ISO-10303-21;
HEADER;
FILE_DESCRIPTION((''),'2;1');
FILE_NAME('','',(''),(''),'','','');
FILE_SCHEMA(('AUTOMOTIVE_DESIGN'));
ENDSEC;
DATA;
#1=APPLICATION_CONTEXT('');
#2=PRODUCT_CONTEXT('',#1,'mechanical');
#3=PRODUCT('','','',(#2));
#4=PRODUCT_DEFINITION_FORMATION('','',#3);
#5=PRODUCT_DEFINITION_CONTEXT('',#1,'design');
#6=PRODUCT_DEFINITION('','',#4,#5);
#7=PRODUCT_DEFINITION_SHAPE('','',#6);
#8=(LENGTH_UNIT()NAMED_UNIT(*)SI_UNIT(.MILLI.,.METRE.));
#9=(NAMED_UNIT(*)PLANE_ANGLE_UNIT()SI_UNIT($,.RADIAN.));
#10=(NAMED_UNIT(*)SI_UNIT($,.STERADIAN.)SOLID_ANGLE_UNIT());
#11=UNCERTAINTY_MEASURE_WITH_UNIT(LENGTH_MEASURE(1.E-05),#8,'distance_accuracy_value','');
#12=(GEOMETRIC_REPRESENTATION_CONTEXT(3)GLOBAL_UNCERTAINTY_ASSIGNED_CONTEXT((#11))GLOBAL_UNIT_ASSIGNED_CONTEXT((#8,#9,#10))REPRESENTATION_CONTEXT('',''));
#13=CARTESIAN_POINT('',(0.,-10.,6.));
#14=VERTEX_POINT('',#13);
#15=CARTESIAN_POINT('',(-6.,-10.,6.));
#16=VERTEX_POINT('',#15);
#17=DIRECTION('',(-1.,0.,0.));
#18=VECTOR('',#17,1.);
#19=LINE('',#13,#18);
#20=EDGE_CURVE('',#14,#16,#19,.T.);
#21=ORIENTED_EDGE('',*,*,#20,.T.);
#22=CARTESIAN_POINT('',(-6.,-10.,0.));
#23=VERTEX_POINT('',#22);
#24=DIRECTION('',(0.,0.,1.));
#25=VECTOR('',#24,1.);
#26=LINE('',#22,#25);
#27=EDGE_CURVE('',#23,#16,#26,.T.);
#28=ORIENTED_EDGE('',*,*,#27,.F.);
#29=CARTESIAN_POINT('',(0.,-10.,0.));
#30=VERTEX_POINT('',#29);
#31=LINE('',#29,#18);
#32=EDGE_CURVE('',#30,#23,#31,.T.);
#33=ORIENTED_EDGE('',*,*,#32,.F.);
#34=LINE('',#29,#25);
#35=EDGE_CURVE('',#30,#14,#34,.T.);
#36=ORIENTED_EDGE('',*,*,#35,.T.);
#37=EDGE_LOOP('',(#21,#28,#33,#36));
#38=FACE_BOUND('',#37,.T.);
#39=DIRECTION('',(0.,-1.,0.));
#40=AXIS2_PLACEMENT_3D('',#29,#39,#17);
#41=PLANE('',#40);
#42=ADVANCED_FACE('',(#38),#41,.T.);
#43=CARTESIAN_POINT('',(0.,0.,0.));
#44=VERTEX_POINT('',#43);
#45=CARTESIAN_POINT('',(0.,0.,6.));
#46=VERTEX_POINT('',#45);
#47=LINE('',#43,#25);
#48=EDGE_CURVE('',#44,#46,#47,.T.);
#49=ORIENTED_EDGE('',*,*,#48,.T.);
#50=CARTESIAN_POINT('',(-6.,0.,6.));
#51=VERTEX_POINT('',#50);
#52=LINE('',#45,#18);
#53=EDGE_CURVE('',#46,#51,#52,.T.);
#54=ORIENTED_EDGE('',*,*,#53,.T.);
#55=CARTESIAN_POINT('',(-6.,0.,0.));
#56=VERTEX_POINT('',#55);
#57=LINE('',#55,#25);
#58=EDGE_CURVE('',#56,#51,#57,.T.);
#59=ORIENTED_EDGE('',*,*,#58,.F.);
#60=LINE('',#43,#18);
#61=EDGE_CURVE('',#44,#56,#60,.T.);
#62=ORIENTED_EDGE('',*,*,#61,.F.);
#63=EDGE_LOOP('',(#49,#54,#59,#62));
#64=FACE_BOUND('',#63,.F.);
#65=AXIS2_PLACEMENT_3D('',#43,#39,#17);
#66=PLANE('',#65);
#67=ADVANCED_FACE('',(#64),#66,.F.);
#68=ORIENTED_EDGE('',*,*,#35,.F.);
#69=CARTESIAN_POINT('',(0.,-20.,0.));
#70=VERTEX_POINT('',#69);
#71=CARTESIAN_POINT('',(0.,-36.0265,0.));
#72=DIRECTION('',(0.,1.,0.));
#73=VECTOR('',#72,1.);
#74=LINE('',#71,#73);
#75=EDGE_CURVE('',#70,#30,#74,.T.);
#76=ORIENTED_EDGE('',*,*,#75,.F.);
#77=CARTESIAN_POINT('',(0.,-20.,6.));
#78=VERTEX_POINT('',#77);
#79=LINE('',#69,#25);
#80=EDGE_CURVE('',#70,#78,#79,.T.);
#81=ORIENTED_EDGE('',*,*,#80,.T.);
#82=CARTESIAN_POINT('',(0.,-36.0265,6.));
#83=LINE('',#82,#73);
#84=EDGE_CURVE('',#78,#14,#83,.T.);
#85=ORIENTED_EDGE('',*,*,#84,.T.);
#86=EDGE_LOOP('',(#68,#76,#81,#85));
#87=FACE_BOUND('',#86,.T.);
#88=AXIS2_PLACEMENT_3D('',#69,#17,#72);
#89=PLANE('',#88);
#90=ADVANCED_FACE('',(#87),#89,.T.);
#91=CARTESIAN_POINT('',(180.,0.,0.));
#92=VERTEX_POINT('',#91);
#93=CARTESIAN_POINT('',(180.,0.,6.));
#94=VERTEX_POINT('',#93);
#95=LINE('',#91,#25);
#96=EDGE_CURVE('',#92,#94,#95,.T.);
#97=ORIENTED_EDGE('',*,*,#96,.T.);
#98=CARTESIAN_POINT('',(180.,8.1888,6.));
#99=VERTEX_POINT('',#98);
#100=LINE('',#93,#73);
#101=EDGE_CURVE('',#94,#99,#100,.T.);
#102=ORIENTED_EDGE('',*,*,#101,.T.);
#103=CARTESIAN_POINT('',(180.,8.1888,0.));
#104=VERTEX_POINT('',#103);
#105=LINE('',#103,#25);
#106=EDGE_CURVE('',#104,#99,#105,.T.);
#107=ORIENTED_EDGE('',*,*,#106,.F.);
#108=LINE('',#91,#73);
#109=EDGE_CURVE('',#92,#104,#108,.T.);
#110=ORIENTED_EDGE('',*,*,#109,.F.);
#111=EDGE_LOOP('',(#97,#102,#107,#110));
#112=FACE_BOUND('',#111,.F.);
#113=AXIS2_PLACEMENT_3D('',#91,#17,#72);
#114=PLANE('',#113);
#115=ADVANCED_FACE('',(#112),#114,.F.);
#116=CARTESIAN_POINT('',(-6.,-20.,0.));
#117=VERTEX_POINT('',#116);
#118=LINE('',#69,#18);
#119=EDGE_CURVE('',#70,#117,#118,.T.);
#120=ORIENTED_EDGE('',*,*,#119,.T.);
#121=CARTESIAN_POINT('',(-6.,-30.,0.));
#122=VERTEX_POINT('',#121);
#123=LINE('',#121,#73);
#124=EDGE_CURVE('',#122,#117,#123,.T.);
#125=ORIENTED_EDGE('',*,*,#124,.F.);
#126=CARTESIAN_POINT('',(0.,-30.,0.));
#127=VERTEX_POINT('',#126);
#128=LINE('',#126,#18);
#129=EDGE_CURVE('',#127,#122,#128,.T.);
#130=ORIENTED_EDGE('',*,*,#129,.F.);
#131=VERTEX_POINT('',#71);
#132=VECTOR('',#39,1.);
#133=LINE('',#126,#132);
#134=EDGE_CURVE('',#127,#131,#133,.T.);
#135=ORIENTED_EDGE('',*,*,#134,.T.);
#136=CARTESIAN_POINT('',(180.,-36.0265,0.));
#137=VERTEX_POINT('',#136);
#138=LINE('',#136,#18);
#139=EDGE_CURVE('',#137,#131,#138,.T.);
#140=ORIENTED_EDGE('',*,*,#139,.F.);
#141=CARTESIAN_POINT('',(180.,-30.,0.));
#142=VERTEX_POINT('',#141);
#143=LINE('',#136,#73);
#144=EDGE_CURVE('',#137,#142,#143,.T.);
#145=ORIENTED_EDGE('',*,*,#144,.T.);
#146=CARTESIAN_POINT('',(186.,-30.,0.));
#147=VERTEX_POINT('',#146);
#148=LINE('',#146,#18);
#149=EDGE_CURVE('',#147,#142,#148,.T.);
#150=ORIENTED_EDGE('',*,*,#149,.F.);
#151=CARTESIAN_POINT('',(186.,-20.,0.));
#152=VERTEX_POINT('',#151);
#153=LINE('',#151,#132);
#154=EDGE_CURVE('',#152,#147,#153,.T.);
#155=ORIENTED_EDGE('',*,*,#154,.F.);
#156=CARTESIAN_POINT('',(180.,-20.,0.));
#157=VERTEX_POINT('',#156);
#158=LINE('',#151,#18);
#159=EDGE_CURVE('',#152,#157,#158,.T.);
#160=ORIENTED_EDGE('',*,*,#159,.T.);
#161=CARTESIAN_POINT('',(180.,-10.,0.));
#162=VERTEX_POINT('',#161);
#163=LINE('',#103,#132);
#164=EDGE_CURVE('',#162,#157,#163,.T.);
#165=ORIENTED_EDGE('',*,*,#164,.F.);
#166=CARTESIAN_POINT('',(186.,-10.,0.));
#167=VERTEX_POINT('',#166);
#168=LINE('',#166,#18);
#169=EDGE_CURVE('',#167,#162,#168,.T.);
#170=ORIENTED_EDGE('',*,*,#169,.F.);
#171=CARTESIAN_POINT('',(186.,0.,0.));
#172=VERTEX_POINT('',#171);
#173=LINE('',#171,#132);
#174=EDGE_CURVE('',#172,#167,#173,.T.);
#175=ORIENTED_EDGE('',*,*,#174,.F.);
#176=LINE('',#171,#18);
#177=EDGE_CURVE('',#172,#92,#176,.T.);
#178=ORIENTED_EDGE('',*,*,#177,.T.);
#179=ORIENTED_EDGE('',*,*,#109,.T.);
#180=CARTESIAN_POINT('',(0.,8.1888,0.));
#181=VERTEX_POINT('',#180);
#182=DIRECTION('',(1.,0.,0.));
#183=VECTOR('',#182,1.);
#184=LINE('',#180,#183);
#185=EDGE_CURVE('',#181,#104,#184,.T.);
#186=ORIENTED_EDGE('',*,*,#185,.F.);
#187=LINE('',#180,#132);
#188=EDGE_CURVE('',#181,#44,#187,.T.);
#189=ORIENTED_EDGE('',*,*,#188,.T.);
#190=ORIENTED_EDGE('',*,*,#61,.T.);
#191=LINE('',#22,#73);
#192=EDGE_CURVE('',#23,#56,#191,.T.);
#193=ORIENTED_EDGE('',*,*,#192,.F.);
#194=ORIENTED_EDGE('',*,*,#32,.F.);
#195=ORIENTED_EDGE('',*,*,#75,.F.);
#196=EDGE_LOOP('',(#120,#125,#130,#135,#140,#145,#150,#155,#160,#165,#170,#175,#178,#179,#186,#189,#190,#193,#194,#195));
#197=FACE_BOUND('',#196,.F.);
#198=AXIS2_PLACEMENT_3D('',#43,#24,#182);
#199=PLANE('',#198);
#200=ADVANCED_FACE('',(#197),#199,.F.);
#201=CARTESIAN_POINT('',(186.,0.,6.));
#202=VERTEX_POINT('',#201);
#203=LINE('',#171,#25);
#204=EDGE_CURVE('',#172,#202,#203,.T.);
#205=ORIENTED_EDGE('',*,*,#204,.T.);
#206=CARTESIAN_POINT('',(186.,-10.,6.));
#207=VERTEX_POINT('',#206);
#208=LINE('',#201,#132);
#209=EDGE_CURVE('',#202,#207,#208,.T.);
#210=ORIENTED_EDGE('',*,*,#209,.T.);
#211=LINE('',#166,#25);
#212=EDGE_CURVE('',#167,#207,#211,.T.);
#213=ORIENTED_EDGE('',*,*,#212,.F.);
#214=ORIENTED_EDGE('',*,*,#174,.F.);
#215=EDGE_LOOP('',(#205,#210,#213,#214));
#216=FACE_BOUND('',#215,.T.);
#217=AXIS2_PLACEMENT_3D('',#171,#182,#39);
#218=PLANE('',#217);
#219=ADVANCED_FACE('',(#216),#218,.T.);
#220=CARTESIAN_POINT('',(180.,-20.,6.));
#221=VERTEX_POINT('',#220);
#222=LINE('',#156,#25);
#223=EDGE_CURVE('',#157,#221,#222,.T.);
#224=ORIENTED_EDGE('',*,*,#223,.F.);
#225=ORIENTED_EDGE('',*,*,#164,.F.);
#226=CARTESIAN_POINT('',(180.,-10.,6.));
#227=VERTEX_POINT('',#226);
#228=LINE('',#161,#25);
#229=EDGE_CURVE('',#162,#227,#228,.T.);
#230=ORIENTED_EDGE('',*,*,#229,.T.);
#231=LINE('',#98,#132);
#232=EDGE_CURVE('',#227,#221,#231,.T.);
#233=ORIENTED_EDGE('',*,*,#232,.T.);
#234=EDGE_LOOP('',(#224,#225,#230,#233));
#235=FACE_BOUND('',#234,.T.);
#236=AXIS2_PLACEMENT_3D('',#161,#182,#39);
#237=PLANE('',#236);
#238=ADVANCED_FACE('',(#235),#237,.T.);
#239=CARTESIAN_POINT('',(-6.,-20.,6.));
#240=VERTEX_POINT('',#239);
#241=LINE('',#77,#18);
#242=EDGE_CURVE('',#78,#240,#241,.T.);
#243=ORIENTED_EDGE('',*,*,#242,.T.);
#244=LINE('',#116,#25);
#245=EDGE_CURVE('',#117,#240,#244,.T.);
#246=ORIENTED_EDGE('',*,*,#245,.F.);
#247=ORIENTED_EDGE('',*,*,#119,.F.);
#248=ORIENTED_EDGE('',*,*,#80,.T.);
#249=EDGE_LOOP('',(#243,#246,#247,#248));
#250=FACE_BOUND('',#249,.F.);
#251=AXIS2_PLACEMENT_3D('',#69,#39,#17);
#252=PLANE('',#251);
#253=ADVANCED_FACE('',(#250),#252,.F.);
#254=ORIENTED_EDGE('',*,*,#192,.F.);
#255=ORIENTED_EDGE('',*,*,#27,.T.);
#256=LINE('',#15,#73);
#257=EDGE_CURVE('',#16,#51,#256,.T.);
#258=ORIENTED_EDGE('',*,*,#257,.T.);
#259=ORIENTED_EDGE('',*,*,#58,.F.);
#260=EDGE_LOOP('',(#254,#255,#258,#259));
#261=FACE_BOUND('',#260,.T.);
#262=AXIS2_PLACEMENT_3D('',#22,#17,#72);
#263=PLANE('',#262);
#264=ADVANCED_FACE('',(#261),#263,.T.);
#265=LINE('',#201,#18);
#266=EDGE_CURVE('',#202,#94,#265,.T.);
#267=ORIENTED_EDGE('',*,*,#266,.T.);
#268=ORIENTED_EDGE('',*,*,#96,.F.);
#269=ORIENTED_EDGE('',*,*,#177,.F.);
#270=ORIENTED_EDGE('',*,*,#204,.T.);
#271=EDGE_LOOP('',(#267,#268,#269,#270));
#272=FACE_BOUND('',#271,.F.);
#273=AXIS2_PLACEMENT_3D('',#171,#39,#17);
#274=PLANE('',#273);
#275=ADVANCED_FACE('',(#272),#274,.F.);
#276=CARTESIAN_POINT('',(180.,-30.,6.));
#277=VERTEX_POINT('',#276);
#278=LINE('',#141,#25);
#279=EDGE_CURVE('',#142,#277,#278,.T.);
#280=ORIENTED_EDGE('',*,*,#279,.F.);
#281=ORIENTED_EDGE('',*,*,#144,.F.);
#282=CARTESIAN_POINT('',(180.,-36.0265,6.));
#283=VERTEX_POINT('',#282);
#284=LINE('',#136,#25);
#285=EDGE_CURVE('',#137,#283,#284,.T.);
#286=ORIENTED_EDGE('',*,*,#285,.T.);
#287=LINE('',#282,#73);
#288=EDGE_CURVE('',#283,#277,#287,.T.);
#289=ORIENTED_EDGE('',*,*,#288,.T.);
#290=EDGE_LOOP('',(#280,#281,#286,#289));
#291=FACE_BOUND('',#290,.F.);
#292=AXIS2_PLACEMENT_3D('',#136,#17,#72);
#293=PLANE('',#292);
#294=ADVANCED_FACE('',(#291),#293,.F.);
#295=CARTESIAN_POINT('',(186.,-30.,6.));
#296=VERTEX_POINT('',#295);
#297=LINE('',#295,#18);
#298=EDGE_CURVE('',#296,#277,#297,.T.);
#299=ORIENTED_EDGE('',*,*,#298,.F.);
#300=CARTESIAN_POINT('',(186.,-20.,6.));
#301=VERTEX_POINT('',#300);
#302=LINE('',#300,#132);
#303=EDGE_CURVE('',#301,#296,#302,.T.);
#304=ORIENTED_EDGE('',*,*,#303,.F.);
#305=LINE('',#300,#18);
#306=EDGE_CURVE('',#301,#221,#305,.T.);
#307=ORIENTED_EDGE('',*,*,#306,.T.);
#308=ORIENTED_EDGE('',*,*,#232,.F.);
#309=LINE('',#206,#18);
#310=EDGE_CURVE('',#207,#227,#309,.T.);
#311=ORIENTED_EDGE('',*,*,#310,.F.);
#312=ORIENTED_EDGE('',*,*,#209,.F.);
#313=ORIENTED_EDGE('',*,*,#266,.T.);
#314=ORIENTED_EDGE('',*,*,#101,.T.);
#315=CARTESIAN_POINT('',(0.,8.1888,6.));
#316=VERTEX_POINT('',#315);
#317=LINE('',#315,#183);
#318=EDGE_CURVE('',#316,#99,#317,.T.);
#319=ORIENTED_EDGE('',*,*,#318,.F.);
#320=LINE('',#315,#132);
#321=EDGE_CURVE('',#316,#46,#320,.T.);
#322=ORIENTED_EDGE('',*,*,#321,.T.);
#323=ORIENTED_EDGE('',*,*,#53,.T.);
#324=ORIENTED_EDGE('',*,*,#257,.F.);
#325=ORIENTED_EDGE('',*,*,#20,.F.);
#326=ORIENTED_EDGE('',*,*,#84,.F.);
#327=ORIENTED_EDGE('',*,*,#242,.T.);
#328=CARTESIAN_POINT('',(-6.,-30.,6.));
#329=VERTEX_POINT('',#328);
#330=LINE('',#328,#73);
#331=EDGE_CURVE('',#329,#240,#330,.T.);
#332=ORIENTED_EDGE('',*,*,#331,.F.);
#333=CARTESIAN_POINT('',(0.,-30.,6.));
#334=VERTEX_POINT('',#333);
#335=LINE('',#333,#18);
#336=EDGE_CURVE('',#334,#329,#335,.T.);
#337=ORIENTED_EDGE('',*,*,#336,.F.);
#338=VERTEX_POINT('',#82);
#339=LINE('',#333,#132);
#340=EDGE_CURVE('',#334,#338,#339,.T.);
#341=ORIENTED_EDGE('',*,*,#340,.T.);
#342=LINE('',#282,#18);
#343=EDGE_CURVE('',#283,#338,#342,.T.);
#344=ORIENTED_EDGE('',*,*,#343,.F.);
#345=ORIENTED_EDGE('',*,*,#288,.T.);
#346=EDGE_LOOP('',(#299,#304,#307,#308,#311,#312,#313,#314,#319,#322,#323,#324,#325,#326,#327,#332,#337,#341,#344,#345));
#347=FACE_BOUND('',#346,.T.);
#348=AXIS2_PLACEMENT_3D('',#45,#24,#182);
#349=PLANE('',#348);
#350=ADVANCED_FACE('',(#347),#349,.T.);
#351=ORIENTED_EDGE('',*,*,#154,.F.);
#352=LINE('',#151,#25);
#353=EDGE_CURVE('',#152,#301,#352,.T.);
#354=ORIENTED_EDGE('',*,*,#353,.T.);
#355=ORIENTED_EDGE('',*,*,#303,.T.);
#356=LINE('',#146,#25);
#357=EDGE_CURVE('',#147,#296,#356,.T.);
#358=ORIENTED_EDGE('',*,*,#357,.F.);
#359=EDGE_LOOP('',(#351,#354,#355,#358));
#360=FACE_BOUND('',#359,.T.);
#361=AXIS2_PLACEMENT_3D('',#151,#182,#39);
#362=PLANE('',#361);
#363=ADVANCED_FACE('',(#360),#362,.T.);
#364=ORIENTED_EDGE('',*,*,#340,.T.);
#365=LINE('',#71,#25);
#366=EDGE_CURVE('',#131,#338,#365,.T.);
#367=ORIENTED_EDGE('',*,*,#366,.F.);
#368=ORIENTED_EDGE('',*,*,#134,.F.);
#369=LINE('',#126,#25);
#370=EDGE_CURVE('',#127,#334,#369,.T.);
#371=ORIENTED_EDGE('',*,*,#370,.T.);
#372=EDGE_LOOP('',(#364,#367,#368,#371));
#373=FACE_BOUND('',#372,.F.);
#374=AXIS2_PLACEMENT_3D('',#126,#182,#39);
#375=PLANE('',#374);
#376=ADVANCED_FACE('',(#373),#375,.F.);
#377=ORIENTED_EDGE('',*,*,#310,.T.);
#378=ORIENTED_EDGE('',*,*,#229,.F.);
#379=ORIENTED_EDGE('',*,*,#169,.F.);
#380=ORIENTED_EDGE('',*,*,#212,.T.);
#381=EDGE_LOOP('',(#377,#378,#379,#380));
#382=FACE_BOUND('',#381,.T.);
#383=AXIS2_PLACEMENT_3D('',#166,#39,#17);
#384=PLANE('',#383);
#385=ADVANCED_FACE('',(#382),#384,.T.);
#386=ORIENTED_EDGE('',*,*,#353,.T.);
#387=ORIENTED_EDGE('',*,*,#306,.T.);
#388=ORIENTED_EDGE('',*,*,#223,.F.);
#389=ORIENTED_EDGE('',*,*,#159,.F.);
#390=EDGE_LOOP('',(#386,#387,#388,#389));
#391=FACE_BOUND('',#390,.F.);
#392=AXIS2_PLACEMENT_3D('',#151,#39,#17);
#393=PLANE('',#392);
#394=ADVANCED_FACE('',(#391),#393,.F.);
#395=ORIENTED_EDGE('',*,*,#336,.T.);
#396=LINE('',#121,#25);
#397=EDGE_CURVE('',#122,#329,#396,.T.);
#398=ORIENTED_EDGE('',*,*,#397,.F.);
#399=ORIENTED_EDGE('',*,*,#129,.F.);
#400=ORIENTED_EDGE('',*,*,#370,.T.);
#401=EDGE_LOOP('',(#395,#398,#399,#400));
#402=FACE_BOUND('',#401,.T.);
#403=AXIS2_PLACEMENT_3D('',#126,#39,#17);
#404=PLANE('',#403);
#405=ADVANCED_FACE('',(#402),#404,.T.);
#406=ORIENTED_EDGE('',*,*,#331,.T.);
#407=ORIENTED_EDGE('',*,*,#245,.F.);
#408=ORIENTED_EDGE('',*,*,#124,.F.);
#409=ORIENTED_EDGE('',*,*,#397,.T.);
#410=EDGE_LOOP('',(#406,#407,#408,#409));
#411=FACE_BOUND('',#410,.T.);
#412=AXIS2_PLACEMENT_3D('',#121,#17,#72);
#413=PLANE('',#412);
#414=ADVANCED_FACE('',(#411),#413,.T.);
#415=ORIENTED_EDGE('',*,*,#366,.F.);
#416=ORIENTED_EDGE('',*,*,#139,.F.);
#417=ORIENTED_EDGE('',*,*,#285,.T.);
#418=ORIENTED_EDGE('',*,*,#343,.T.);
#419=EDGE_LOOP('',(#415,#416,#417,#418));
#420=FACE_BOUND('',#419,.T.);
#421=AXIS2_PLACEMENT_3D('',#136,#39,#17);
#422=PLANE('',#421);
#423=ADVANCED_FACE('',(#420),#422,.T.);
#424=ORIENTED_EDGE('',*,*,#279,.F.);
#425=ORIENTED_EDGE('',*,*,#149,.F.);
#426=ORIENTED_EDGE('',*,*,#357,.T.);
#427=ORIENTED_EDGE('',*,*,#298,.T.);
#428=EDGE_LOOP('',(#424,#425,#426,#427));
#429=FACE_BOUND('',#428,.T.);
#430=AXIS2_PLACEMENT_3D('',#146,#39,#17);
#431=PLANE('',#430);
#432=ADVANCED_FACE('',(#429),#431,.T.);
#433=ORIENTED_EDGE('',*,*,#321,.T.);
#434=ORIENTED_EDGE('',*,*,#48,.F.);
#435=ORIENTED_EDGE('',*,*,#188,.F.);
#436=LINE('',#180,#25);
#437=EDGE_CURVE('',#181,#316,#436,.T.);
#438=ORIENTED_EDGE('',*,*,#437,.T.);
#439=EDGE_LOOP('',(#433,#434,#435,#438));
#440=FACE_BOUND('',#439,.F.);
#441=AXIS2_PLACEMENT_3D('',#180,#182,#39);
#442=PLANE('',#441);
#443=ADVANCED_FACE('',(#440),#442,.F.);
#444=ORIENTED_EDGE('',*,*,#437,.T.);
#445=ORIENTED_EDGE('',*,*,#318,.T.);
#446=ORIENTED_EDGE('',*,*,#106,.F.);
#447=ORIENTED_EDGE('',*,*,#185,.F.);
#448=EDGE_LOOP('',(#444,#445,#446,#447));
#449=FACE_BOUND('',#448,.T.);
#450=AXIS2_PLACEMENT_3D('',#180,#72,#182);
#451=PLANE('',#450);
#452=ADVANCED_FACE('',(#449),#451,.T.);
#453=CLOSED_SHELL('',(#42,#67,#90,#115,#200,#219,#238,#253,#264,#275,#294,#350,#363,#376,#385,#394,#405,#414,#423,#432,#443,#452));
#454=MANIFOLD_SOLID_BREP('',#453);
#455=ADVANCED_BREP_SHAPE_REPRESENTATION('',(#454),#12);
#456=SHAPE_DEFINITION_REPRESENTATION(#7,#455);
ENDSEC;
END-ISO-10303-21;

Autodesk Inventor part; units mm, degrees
ref_plane "YZ Plane" through (0, 0, 0) normal (1, 0, 0) x (0, 1, 0)
ref_plane "XZ Plane" through (0, 0, 0) normal (0, 1, 0) x (-1, 0, 0)
ref_plane "XY Plane" through (0, 0, 0) normal (0, 0, 1) x (1, 0, 0)
sketch "Эскиз1" plane through (0, 0, 0) normal (0, 0, 1) x (1, 0, 0)
  line L0 (0, 0) -> (0, -10) projected
  line L1 (0, 0) -> (-6, 0) projected
  line L2 (-6, -10) -> (-6, 0) projected
  line L3 (0, -10) -> (-6, -10) projected
  line L4 (0, -20) -> (0, -30) projected
  line L5 (0, -20) -> (-6, -20) projected
  line L6 (-6, -30) -> (-6, -20) projected
  line L7 (0, -30) -> (-6, -30) projected
  line L8 (0, -30) -> (0, -36.0265) projected
  line L9 (0, 8.1888) -> (0, 0) projected
  line L10 (186, -20) -> (186, -30) projected
  line L11 (186, -20) -> (180, -20) projected
  line L12 (180, -30) -> (180, -20) projected
  line L13 (186, -30) -> (180, -30) projected
  line L14 (186, 0) -> (186, -10) projected
  line L15 (186, 0) -> (180, 0) projected
  line L16 (180, -10) -> (180, 0) projected
  line L17 (186, -10) -> (180, -10) projected
  line L18 (180, -36.0265) -> (180, -30) projected
  line L19 (180, 0) -> (180, 8.1888) projected
  line L20 (0, 8.1888) -> (180, 8.1888)
  line L21 (180, 8.1888) -> (180, -36.0265)
  line L22 (180, -36.0265) -> (0, -36.0265)
  line L23 (0, -36.0265) -> (0, 8.1888)
extrude "Выдавливание1" add sketch "Эскиз1" along normal blind 6
properties part number "маленькое дно1"
